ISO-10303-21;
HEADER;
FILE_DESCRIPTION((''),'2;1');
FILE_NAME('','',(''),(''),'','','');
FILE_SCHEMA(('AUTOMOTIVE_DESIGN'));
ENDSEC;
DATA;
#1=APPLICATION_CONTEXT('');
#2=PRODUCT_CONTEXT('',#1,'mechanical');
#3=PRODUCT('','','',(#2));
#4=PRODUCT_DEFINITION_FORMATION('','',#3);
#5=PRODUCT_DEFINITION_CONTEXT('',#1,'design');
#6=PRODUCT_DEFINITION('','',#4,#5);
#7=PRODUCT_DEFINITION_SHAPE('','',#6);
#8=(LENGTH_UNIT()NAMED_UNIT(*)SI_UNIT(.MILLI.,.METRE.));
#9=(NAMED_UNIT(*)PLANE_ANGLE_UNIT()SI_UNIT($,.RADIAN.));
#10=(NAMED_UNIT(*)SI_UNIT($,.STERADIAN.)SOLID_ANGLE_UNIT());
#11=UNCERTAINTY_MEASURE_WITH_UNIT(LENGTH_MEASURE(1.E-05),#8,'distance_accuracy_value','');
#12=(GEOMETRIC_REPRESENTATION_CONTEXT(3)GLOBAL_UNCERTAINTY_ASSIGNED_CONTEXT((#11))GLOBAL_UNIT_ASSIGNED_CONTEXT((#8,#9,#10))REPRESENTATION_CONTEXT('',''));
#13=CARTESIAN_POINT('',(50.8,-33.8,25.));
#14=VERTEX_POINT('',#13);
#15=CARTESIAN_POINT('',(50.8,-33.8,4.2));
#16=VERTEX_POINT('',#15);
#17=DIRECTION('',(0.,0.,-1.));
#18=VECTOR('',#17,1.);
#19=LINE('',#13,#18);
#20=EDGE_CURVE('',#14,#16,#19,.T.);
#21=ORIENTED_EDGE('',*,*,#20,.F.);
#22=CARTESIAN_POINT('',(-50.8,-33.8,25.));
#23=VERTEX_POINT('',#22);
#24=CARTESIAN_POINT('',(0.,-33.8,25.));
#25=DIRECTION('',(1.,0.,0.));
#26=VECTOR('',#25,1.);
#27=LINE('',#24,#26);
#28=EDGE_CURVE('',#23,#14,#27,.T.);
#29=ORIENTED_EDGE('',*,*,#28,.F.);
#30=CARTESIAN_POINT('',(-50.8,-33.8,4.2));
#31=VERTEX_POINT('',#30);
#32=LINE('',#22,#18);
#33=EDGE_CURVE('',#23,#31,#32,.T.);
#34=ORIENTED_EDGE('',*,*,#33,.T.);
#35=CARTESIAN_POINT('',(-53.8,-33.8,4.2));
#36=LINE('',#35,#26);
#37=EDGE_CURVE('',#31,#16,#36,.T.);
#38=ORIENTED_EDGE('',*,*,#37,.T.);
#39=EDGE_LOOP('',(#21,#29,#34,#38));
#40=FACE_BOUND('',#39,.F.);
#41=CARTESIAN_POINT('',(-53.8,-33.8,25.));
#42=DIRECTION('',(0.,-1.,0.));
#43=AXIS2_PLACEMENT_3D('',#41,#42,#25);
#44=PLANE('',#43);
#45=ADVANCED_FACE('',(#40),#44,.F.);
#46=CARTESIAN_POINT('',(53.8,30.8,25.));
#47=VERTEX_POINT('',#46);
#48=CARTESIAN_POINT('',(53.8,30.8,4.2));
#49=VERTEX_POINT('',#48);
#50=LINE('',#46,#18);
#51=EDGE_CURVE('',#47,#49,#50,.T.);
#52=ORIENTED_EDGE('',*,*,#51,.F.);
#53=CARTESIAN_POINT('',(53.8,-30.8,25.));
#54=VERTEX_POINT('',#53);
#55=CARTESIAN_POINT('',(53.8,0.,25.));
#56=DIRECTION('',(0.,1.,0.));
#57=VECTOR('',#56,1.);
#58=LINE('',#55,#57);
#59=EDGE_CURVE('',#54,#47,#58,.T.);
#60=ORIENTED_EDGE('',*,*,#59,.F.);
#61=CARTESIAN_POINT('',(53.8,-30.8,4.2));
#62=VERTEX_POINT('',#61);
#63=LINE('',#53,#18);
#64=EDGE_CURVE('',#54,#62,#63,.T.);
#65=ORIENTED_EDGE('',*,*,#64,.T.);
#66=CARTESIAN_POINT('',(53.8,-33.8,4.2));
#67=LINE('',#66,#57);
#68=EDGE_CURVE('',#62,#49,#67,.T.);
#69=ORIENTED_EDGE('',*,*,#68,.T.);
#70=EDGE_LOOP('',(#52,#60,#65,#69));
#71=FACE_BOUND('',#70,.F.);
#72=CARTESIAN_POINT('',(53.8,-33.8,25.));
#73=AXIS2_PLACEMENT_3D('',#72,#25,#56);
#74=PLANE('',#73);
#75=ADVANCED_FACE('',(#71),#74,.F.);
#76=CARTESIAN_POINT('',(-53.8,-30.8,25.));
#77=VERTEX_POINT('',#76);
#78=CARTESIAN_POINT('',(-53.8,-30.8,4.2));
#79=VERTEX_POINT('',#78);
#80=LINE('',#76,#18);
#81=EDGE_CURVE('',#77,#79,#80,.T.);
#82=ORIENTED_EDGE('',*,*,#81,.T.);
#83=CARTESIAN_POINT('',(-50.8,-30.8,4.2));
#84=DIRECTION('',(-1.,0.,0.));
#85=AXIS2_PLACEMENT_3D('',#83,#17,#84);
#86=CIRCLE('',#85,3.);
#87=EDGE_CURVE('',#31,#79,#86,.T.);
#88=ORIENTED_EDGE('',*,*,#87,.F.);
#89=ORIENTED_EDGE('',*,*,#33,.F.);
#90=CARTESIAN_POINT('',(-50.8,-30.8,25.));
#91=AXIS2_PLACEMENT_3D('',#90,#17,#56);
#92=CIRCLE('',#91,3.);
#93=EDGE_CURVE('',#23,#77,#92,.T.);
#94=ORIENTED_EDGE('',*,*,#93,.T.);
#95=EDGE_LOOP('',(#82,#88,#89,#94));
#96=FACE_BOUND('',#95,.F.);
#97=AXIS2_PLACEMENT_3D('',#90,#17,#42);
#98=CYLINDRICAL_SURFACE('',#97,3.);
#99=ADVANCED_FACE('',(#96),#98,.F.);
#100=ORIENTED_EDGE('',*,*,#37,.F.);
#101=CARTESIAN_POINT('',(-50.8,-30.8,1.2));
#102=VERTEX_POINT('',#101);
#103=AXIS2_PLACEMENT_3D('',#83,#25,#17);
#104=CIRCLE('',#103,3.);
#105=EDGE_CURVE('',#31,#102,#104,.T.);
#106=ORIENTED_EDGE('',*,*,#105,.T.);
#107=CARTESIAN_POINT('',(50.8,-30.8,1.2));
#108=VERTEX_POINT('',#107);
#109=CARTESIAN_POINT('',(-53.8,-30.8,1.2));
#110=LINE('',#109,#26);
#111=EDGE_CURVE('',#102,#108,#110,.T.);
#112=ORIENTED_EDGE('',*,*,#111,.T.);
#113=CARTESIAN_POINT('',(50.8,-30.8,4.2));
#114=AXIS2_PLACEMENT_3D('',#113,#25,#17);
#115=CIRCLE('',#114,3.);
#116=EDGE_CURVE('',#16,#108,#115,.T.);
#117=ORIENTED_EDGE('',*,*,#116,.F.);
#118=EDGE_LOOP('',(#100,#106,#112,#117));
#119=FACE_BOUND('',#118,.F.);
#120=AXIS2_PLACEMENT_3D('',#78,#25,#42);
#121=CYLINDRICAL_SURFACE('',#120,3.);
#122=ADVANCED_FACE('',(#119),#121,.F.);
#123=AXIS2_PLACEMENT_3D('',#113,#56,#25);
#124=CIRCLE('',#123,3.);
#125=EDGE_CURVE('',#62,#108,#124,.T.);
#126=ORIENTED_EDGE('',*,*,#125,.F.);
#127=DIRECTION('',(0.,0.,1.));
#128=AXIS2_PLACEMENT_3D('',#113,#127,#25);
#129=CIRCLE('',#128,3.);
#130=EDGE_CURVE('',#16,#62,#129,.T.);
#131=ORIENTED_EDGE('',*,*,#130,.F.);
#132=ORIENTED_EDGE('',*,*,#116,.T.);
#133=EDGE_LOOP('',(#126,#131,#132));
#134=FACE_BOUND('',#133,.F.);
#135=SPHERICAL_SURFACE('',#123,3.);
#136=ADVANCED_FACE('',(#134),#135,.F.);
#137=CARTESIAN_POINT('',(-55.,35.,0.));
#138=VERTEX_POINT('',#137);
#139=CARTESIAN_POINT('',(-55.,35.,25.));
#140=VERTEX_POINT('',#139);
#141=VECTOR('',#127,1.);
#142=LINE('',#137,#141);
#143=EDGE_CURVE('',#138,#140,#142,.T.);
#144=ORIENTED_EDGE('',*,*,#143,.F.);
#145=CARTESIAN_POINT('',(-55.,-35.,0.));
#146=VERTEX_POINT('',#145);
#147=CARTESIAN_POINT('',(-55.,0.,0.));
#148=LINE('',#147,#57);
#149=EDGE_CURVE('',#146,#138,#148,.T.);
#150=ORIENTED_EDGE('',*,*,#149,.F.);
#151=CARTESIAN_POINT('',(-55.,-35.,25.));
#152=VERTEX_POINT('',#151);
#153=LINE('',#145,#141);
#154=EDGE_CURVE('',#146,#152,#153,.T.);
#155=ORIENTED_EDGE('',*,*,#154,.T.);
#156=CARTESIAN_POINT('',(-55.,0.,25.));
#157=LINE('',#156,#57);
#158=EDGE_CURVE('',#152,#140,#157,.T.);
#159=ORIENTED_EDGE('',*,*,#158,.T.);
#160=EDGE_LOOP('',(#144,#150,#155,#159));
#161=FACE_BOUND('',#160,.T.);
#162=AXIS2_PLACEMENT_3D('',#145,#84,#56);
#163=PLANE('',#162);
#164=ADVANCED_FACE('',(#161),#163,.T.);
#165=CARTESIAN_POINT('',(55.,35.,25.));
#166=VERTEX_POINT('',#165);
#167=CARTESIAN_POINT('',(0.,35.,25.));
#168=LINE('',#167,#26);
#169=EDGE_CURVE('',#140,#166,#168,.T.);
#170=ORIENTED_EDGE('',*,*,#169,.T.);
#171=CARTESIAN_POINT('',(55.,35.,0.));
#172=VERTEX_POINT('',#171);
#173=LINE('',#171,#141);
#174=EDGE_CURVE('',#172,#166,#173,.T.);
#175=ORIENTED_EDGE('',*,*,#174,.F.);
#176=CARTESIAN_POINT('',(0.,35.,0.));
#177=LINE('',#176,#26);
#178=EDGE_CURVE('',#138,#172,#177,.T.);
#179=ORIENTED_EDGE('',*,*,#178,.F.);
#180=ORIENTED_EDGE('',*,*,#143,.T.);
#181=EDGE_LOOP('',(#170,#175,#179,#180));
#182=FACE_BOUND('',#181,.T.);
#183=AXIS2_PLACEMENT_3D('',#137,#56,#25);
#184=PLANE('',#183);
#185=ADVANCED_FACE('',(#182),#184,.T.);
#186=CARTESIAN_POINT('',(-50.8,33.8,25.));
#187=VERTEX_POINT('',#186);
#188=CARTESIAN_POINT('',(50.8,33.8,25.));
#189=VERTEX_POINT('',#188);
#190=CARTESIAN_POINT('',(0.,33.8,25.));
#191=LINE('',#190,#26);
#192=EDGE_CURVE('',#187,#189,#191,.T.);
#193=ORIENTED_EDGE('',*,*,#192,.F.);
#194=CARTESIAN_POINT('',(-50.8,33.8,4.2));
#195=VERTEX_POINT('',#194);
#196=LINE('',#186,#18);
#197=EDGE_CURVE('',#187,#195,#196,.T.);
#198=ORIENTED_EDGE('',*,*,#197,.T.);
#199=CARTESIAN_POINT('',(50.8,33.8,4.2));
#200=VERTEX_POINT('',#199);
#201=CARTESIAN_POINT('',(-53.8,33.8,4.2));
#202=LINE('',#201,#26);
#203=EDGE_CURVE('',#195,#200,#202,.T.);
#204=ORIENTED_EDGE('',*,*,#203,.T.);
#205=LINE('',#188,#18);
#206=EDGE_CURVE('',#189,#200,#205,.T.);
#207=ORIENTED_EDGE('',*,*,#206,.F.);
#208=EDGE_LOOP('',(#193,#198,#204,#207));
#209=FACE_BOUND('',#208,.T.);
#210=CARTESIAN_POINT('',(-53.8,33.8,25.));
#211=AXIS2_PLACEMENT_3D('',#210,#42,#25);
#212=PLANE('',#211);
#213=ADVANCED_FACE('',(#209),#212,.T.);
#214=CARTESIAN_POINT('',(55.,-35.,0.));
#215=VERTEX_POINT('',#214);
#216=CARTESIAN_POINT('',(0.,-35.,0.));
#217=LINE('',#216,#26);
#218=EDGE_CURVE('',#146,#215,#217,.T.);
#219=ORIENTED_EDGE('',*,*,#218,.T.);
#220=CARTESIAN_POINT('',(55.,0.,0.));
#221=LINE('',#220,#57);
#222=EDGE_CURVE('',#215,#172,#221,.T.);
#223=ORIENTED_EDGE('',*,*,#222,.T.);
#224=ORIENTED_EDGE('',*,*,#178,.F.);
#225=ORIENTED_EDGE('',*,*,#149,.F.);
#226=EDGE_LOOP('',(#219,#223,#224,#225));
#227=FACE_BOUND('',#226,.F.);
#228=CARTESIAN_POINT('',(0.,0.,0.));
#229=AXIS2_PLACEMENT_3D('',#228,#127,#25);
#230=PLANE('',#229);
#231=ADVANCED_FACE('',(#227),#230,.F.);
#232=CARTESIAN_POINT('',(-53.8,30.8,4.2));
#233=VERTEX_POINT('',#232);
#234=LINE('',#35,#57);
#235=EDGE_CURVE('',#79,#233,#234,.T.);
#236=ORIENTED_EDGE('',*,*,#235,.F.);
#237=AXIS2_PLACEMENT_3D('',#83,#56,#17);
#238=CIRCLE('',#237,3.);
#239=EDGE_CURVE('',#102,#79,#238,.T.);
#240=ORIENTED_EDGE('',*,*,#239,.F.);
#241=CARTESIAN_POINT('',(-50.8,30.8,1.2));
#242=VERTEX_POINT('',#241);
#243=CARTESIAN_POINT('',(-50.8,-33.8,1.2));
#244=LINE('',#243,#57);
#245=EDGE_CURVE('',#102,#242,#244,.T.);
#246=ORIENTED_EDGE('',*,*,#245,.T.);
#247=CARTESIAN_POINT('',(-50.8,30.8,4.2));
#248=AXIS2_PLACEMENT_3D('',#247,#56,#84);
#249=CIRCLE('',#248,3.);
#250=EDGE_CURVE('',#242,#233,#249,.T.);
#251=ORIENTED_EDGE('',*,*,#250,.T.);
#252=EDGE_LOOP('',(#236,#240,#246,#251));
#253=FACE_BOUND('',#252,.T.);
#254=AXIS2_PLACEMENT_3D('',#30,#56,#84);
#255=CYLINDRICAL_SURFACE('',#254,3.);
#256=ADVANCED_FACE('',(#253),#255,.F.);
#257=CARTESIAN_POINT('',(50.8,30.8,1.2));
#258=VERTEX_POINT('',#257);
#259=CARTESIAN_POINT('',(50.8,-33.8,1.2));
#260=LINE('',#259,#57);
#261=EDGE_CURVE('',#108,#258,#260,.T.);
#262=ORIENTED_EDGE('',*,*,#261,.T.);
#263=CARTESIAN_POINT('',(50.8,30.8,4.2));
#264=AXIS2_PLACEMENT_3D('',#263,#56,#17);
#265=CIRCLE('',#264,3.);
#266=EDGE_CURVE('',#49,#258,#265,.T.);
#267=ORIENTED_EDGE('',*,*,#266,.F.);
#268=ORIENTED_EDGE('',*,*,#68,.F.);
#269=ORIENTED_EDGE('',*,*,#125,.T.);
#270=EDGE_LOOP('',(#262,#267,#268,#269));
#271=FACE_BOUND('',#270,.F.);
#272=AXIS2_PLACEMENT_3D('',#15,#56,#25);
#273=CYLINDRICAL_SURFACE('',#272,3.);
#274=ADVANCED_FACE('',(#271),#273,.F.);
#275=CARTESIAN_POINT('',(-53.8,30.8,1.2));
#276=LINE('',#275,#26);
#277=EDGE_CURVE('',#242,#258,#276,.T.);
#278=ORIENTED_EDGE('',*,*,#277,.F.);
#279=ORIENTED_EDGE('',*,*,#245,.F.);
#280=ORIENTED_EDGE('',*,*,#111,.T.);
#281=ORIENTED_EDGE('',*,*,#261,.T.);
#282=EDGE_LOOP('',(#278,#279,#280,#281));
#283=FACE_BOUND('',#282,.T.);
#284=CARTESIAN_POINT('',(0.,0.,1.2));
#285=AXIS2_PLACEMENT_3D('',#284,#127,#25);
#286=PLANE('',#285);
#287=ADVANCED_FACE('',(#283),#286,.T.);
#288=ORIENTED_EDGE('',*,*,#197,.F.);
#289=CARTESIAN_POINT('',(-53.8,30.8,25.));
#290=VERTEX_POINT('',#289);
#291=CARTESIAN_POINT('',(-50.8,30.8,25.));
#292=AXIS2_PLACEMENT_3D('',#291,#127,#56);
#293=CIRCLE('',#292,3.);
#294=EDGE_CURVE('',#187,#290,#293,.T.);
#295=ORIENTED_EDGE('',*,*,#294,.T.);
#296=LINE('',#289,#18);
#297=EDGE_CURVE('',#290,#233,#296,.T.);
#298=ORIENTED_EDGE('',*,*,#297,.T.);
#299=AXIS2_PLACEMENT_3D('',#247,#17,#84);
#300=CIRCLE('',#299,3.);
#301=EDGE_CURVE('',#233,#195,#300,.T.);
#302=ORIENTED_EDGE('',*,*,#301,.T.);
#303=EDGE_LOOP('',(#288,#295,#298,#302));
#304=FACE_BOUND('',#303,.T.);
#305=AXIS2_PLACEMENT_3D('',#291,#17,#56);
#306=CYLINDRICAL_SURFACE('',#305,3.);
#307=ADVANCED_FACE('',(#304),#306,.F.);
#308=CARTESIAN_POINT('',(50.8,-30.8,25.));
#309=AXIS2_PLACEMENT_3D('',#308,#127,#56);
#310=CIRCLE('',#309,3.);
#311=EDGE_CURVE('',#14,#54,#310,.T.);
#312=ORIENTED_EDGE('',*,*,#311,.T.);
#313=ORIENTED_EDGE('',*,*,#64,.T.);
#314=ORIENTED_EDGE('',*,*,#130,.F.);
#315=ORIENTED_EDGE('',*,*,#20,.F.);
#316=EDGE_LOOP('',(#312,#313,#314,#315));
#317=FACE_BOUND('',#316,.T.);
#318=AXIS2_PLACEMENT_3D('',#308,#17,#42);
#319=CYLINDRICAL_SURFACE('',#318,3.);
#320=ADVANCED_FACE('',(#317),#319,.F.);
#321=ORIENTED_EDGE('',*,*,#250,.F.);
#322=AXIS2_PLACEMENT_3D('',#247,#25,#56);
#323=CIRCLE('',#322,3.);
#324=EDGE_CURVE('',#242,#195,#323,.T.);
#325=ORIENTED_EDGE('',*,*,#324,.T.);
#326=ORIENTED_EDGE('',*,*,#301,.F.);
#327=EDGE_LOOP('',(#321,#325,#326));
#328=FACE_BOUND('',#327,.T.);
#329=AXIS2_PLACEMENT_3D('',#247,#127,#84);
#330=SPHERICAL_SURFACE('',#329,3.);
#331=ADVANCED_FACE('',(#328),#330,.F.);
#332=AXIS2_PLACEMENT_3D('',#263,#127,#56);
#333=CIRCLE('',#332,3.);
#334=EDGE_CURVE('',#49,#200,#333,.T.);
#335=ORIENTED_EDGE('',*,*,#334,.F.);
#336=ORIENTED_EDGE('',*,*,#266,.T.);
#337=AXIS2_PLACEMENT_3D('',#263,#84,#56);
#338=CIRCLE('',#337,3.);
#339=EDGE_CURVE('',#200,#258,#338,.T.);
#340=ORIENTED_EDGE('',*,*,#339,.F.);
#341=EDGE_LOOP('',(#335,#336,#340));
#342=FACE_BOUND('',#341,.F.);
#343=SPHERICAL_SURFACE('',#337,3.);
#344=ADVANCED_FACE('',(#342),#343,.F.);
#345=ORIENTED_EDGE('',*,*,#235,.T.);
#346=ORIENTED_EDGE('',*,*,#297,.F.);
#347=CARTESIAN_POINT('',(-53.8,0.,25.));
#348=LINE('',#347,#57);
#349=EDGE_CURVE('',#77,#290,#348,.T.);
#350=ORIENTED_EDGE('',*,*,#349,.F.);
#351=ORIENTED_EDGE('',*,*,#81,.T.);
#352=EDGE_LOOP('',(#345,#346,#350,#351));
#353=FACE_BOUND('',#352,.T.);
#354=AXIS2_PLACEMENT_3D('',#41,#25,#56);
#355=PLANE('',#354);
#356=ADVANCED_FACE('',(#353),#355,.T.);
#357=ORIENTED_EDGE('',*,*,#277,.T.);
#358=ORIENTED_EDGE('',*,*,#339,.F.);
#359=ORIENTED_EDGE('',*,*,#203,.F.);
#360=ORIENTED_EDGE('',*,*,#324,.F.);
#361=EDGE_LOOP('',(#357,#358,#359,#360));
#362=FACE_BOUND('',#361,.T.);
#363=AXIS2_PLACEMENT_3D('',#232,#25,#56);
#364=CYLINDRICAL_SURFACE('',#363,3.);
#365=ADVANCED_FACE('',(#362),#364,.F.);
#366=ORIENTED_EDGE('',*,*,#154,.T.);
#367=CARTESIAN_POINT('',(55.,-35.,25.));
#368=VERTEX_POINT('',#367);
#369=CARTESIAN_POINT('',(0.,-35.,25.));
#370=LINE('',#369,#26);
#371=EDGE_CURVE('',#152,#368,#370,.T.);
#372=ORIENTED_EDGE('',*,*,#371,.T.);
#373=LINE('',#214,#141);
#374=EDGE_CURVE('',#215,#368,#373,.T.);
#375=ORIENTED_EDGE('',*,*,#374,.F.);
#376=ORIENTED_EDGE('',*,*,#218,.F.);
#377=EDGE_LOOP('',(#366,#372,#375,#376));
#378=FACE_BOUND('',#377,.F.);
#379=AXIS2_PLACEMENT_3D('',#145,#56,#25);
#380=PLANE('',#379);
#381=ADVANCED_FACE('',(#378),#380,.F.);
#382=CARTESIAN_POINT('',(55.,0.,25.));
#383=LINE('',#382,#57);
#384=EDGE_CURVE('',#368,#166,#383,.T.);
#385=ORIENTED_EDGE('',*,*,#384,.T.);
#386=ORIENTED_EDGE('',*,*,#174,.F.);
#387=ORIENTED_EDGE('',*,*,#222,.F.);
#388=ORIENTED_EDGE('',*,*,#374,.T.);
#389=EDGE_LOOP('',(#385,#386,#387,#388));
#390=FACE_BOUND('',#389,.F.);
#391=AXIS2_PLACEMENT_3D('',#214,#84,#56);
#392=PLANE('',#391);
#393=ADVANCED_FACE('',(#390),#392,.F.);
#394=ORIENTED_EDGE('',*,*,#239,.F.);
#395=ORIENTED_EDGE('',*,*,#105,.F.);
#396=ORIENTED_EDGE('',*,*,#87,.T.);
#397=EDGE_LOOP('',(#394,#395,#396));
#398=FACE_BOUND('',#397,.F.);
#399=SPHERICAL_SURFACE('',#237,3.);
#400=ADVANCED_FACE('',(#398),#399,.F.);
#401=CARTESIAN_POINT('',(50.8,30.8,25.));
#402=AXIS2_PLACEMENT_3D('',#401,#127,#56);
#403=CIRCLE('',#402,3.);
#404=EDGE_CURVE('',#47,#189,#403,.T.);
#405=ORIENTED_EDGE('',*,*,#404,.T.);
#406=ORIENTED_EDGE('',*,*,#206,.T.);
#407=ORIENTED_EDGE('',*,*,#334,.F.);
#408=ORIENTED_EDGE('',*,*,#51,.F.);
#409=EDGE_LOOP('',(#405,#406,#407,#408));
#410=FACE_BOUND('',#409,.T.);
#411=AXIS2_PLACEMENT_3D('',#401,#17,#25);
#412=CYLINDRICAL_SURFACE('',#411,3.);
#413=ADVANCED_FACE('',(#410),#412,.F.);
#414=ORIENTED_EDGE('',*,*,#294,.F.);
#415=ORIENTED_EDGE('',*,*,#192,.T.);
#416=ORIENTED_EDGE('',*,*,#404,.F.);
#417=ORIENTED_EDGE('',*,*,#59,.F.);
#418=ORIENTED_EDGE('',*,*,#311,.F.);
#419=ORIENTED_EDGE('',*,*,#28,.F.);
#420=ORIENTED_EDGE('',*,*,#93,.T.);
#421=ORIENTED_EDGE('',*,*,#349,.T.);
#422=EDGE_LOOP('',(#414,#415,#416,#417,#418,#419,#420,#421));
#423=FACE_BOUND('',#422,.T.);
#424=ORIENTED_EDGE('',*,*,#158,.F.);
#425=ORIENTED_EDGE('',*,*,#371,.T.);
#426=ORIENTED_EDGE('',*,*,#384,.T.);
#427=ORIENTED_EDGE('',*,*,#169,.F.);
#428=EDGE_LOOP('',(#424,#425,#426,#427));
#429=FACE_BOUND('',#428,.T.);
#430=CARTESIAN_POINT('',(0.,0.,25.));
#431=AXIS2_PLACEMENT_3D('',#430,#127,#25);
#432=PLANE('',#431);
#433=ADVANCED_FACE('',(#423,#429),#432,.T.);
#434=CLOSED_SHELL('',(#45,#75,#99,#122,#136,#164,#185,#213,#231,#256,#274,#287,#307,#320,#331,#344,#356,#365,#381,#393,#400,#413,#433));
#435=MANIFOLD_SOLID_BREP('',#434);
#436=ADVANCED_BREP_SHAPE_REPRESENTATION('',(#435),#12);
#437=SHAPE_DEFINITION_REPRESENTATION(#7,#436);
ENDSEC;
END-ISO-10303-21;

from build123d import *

# Parameters (mm, degrees)
F0_W     = 110
F0_H     = 70
F1_DEPTH = 25
F2_W     = 107.6
F2_H     = 67.6
F3_DEPTH = 23.8
F4_R     = 3


with BuildPart() as f1:
    # F0 (on Top) → F1 (new body)
    with BuildSketch(Plane.XY):
        Rectangle(F0_W, F0_H)
    extrude(amount=F1_DEPTH)

    # F2 (on face) → F3 (cut)
    with BuildSketch(Plane.XY.offset(25)):
        Rectangle(F2_W, F2_H)
    extrude(amount=-F3_DEPTH, mode=Mode.SUBTRACT)

    # F4
    f4_edges = [f1.edges().sort_by_distance(p)[0] for p in [
        (-53.8, 33.8, 13.1),
        (-53.8, 0, 1.2),
        (0, 33.8, 1.2),
        (53.8, 33.8, 13.1),
        (53.8, 0, 1.2),
        (53.8, -33.8, 13.1),
        (0, -33.8, 1.2),
        (-53.8, -33.8, 13.1),
    ]]
    fillet(f4_edges, radius=F4_R)


solid = f1.part
